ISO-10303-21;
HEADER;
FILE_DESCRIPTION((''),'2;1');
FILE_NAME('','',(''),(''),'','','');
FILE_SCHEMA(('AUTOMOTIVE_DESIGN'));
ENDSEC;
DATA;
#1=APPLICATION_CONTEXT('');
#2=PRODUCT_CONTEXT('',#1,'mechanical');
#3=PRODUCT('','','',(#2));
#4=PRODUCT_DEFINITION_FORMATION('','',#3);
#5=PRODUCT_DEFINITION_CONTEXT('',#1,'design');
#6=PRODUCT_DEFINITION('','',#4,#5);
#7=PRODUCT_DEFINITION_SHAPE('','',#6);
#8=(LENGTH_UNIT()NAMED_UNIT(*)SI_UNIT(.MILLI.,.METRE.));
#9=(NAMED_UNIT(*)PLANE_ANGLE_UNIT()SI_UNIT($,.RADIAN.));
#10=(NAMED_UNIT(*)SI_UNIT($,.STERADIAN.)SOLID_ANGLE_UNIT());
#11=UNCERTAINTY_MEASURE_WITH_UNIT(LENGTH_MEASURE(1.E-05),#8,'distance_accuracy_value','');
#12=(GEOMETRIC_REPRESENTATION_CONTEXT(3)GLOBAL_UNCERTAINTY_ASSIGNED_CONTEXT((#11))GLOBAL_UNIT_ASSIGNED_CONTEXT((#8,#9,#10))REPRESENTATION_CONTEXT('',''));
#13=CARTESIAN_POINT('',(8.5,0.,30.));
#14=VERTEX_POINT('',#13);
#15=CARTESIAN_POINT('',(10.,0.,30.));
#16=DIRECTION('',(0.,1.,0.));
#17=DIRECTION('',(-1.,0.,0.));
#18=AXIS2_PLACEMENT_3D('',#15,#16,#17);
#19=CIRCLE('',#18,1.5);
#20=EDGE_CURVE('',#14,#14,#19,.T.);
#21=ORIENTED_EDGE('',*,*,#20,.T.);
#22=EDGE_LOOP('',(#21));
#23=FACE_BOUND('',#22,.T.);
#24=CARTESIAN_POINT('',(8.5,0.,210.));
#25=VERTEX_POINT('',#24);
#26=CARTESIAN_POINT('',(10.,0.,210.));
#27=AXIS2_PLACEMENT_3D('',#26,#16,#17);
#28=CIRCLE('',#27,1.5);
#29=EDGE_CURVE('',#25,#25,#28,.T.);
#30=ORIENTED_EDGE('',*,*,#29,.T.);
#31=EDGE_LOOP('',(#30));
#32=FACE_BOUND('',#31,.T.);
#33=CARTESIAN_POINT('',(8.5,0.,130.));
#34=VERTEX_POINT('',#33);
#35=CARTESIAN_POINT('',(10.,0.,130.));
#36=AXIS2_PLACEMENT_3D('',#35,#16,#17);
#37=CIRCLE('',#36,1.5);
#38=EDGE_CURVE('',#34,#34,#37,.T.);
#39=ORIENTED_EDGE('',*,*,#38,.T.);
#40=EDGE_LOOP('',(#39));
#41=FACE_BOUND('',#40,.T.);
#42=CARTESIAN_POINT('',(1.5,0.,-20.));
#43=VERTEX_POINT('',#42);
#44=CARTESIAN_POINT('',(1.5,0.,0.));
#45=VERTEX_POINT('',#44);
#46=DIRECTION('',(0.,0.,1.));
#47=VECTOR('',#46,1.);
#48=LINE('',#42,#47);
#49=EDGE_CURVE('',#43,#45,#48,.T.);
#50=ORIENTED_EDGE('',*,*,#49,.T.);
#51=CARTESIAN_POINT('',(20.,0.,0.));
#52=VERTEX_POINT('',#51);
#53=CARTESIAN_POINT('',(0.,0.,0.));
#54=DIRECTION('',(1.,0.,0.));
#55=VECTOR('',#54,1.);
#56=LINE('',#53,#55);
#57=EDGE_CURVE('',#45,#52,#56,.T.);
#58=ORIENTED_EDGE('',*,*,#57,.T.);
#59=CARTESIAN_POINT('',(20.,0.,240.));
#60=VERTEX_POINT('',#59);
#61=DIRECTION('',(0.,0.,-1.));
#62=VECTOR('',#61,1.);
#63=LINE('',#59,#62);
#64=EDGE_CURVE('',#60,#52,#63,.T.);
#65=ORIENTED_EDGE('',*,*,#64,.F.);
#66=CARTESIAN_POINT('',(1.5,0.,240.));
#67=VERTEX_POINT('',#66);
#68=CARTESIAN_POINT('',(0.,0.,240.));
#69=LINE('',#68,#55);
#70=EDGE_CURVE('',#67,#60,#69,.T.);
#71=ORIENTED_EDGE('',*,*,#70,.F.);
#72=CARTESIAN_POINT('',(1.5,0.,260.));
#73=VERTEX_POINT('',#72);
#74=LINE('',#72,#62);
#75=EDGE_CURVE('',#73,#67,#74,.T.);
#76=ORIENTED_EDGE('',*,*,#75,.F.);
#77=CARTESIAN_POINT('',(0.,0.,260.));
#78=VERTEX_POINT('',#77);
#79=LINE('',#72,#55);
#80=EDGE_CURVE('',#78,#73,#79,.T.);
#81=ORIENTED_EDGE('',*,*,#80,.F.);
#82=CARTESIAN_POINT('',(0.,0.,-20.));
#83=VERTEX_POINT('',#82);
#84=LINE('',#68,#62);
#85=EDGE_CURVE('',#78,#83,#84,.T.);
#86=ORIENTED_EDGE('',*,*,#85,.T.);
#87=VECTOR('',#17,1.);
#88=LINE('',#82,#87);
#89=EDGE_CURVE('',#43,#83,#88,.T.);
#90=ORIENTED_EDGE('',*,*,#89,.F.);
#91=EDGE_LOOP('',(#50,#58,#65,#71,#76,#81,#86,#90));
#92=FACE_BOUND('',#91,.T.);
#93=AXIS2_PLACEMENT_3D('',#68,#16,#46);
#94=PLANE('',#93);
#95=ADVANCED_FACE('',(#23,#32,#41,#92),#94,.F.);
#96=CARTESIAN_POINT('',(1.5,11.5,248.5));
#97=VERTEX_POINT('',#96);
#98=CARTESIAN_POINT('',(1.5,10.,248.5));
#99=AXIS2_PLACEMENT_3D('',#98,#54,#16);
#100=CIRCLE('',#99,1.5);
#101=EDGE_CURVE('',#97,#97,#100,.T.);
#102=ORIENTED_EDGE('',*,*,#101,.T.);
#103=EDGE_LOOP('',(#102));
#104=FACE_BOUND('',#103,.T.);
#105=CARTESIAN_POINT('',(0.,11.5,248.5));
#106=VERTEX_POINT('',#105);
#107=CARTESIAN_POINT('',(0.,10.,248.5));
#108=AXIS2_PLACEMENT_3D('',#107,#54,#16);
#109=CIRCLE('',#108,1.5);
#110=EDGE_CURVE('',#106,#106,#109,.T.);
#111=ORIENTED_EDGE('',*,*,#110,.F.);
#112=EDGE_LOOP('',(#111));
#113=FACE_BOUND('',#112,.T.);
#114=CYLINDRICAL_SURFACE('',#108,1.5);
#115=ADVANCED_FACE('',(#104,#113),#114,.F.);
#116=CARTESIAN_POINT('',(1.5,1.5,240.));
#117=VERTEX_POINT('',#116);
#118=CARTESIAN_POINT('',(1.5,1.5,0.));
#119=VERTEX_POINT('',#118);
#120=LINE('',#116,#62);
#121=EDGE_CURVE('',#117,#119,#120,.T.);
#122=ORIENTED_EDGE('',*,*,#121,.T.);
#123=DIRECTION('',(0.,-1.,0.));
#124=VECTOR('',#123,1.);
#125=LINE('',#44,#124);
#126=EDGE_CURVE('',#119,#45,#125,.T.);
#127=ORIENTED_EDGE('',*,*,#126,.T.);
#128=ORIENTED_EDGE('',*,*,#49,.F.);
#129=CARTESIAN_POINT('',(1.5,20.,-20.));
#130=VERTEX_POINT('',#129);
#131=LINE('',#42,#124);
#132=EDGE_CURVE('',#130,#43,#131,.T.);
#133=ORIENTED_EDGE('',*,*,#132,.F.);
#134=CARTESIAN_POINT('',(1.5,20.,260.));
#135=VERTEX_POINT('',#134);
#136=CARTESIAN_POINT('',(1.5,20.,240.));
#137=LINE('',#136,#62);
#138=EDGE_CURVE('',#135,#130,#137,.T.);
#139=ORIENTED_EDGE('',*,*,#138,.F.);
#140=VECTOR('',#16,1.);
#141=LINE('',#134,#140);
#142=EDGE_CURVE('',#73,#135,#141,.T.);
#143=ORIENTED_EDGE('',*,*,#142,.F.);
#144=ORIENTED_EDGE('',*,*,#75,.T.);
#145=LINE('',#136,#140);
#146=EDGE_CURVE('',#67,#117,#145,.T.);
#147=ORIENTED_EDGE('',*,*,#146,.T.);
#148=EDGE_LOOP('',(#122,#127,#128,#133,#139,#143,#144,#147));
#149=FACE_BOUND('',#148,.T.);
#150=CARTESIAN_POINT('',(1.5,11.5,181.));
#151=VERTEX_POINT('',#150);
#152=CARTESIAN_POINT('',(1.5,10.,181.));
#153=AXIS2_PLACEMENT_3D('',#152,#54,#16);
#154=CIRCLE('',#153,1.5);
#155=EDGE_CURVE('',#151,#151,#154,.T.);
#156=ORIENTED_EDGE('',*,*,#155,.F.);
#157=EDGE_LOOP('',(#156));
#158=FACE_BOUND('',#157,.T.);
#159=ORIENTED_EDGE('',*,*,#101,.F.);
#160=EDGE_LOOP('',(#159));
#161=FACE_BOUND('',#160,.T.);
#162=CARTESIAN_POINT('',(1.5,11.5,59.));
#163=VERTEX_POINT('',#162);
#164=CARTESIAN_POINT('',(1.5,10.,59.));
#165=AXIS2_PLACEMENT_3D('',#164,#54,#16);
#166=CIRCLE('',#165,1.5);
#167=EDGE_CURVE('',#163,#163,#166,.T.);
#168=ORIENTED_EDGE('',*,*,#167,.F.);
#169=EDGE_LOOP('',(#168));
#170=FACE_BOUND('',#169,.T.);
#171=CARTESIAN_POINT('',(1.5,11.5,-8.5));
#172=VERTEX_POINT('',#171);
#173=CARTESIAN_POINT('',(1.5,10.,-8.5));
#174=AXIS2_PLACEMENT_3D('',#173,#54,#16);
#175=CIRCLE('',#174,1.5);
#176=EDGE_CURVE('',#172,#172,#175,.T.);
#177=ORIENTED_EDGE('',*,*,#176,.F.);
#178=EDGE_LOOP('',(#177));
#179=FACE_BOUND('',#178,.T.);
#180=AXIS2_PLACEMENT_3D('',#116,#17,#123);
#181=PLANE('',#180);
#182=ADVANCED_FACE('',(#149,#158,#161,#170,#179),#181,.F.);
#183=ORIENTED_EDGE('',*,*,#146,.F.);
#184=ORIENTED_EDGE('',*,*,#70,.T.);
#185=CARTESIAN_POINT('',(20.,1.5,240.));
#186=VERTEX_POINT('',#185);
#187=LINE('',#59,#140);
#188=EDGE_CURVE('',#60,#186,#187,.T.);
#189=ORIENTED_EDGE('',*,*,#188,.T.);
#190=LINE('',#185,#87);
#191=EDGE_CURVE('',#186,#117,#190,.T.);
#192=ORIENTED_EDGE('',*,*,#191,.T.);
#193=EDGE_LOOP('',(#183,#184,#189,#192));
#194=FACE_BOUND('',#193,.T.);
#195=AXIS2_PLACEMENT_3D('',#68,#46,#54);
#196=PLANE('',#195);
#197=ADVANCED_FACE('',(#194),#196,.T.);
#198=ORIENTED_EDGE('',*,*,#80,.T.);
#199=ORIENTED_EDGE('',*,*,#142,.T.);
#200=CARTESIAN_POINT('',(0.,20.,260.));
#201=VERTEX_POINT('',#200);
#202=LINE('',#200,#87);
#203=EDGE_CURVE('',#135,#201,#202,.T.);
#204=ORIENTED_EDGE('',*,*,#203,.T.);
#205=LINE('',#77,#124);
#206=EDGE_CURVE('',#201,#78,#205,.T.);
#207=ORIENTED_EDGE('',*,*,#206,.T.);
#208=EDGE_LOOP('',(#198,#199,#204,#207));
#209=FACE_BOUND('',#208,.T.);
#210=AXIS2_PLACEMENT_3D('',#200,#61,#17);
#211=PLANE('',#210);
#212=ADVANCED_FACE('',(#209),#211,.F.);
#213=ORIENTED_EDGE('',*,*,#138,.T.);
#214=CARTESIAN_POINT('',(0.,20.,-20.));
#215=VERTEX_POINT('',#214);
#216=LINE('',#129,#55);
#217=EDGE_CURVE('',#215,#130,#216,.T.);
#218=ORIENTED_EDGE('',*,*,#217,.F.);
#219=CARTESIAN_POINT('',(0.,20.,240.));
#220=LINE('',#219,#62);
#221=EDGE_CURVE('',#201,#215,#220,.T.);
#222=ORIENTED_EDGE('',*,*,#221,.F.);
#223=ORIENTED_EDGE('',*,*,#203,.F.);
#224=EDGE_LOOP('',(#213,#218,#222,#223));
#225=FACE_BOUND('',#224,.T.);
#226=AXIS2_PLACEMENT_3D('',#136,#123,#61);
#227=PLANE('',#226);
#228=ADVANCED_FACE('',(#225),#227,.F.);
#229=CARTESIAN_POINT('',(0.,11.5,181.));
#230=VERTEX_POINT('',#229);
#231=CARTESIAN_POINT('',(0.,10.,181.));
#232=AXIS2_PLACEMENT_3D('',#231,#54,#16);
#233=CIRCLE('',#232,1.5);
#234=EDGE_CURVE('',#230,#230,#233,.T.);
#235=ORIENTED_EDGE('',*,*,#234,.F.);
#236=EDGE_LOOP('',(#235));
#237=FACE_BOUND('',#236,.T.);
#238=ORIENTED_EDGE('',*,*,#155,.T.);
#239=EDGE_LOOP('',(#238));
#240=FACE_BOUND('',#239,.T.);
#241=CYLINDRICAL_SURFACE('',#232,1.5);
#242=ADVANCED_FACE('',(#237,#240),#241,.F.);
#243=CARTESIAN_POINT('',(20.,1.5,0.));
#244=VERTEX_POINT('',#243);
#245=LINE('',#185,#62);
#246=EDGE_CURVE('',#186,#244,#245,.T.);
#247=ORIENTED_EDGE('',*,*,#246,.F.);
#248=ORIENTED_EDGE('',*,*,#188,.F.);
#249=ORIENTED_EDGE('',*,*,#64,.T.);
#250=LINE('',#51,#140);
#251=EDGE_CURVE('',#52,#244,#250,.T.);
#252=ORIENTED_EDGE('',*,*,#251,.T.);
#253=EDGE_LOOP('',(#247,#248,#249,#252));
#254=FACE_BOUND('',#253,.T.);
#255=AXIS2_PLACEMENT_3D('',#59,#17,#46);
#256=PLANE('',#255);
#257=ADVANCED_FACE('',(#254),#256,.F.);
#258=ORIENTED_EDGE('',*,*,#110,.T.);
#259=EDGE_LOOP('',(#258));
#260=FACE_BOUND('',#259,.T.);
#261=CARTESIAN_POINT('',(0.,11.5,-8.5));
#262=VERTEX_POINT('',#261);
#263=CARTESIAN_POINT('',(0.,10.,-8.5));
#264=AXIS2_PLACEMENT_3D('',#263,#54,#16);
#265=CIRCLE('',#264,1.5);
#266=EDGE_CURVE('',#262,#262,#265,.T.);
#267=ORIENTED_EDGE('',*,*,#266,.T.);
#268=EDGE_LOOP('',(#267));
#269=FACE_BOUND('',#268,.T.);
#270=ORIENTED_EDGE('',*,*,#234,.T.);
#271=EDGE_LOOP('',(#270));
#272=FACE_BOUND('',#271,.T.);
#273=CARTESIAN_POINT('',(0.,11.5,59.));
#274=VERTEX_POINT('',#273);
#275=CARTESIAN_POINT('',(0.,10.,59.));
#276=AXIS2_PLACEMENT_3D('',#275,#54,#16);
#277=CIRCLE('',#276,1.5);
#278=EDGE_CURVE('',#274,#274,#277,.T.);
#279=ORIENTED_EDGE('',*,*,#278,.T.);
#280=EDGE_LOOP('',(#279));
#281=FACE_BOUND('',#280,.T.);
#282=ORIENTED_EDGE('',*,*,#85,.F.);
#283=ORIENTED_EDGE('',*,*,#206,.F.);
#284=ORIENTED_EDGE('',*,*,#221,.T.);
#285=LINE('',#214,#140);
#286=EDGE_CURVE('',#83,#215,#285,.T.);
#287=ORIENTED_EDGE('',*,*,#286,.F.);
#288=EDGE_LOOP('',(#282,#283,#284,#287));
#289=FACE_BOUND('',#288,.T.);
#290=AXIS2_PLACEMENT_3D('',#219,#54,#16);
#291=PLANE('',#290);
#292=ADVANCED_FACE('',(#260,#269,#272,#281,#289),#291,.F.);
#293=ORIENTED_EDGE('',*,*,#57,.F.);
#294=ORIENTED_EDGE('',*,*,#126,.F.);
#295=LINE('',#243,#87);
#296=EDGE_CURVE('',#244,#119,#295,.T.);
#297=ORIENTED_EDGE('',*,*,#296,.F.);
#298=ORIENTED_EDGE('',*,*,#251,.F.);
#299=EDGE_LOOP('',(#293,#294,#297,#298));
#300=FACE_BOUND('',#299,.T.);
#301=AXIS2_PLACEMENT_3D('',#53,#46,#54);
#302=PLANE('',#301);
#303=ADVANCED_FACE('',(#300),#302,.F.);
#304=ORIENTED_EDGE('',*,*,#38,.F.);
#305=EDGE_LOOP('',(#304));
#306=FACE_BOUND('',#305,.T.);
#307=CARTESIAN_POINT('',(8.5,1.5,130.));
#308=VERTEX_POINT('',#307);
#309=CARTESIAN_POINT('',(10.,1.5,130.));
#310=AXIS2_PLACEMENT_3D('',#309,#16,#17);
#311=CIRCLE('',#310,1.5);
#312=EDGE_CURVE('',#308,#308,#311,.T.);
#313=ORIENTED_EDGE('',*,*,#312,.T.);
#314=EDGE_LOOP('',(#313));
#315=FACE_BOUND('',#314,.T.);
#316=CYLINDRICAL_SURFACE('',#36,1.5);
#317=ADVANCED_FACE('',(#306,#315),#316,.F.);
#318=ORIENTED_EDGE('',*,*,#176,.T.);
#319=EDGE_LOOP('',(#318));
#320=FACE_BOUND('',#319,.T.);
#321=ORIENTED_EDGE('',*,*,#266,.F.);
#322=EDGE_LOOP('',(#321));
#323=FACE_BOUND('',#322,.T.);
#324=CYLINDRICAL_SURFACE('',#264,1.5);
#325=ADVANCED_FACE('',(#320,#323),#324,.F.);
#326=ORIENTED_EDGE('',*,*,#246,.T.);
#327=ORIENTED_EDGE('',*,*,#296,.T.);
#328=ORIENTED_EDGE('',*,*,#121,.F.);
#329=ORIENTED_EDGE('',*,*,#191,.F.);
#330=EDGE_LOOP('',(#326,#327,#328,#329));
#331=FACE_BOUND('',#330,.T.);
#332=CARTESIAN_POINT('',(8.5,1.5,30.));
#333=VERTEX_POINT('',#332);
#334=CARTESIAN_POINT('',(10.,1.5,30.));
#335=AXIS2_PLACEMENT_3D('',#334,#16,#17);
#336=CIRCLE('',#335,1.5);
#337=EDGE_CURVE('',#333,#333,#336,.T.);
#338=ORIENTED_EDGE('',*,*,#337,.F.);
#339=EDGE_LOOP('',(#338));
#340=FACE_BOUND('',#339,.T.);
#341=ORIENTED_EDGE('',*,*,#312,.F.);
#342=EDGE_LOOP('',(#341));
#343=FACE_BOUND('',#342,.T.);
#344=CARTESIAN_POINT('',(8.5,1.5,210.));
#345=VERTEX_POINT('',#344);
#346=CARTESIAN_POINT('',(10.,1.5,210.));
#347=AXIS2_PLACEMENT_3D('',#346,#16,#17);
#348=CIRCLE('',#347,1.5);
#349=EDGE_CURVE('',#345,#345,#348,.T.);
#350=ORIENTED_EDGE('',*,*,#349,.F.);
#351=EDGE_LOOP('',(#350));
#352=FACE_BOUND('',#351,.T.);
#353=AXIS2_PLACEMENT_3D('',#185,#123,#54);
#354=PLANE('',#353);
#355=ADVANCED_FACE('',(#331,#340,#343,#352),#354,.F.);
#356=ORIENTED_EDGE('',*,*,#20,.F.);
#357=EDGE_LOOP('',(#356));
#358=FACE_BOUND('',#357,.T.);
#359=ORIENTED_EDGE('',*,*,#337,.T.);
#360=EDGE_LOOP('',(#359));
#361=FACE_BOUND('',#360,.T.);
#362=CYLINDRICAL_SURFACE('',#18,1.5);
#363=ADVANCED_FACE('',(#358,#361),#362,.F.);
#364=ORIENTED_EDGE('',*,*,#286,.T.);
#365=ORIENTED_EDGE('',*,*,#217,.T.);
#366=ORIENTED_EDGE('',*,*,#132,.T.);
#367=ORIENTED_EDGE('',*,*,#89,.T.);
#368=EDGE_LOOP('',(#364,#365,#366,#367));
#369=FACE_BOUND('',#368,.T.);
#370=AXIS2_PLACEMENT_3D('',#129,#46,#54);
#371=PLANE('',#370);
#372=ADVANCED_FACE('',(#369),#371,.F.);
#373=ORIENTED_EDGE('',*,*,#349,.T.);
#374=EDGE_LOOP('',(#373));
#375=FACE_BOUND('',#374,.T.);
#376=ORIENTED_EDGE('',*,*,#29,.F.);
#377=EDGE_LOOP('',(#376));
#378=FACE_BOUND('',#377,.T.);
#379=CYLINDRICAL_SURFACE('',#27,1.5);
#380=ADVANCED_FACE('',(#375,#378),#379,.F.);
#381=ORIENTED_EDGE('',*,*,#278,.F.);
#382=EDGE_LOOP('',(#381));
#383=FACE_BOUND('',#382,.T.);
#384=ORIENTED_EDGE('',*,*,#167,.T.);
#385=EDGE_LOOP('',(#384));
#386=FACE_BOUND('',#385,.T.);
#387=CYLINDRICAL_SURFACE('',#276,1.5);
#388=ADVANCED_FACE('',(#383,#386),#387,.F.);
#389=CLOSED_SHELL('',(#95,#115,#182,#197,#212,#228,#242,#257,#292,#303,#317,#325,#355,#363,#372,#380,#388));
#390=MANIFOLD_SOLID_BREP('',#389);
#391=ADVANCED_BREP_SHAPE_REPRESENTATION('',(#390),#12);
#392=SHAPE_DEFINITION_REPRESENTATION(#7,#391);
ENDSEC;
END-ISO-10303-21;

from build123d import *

# Parameters (mm, degrees)
EXTRUSION1_DEPTH = 240
ESQUISSE2_R      = 1.5
EXTRUSION2_DEPTH = 242.541404318
ESQUISSE3_W      = 1.5
ESQUISSE3_H      = 20
EXTRUSION3_DEPTH = 20
ESQUISSE5_W      = 1.5
ESQUISSE5_H      = 20
EXTRUSION4_DEPTH = 20
ESQUISSE6_R      = 1.5
EXTRUSION5_DEPTH = 262.423506977


with BuildPart() as part:
    # Esquisse1 → Extrusion1 (new body)
    with BuildSketch(Plane.XY):
        Polygon((0, 0), (20, 0), (20, 1.5), (1.5, 1.5), (1.5, 20), (0, 20), align=None)
    extrude(amount=EXTRUSION1_DEPTH)

    # Esquisse2 → Extrusion2 (cut, through all)
    with BuildSketch(Plane(origin=(0, 1.5, 0), x_dir=(1, 0, 0), z_dir=(0, 1, 0))):
        with Locations(Location((10, -30, 0), (0, 0, 180))):
            Circle(ESQUISSE2_R)
        with Locations(Location((10, -210, 0), (0, 0, 180))):
            Circle(ESQUISSE2_R)
        with Locations(Location((10, -130, 0), (0, 0, 180))):
            Circle(ESQUISSE2_R)
    extrude(amount=-EXTRUSION2_DEPTH, mode=Mode.SUBTRACT)

    # Esquisse3 → Extrusion3 (add)
    with BuildSketch(Plane.XY.offset(240)):
        with Locations((0.75, 10)):
            Rectangle(ESQUISSE3_W, ESQUISSE3_H)
    extrude(amount=EXTRUSION3_DEPTH)

    # Esquisse5 → Extrusion4 (add)
    with BuildSketch(Plane(origin=(0, 0, 0), x_dir=(-1, 0, 0), z_dir=(0, 0, -1))):
        with Locations((-0.75, 10)):
            Rectangle(ESQUISSE5_W, ESQUISSE5_H)
    extrude(amount=EXTRUSION4_DEPTH)

    # Esquisse6 → Extrusion5 (cut, through all)
    with BuildSketch(Plane(origin=(1.5, 0, 0), x_dir=(0, 0, -1), z_dir=(1, 0, 0))):
        with Locations(Location((-248.5, 10, 0), (0, 0, 90))):
            Circle(ESQUISSE6_R)
        with Locations(Location((8.5, 10, 0), (0, 0, 90))):
            Circle(ESQUISSE6_R)
        with Locations(Location((-181, 10, 0), (0, 0, 90))):
            Circle(ESQUISSE6_R)
        with Locations(Location((-59, 10, 0), (0, 0, 90))):
            Circle(ESQUISSE6_R)
    extrude(amount=-EXTRUSION5_DEPTH, mode=Mode.SUBTRACT)


solid = part.part
